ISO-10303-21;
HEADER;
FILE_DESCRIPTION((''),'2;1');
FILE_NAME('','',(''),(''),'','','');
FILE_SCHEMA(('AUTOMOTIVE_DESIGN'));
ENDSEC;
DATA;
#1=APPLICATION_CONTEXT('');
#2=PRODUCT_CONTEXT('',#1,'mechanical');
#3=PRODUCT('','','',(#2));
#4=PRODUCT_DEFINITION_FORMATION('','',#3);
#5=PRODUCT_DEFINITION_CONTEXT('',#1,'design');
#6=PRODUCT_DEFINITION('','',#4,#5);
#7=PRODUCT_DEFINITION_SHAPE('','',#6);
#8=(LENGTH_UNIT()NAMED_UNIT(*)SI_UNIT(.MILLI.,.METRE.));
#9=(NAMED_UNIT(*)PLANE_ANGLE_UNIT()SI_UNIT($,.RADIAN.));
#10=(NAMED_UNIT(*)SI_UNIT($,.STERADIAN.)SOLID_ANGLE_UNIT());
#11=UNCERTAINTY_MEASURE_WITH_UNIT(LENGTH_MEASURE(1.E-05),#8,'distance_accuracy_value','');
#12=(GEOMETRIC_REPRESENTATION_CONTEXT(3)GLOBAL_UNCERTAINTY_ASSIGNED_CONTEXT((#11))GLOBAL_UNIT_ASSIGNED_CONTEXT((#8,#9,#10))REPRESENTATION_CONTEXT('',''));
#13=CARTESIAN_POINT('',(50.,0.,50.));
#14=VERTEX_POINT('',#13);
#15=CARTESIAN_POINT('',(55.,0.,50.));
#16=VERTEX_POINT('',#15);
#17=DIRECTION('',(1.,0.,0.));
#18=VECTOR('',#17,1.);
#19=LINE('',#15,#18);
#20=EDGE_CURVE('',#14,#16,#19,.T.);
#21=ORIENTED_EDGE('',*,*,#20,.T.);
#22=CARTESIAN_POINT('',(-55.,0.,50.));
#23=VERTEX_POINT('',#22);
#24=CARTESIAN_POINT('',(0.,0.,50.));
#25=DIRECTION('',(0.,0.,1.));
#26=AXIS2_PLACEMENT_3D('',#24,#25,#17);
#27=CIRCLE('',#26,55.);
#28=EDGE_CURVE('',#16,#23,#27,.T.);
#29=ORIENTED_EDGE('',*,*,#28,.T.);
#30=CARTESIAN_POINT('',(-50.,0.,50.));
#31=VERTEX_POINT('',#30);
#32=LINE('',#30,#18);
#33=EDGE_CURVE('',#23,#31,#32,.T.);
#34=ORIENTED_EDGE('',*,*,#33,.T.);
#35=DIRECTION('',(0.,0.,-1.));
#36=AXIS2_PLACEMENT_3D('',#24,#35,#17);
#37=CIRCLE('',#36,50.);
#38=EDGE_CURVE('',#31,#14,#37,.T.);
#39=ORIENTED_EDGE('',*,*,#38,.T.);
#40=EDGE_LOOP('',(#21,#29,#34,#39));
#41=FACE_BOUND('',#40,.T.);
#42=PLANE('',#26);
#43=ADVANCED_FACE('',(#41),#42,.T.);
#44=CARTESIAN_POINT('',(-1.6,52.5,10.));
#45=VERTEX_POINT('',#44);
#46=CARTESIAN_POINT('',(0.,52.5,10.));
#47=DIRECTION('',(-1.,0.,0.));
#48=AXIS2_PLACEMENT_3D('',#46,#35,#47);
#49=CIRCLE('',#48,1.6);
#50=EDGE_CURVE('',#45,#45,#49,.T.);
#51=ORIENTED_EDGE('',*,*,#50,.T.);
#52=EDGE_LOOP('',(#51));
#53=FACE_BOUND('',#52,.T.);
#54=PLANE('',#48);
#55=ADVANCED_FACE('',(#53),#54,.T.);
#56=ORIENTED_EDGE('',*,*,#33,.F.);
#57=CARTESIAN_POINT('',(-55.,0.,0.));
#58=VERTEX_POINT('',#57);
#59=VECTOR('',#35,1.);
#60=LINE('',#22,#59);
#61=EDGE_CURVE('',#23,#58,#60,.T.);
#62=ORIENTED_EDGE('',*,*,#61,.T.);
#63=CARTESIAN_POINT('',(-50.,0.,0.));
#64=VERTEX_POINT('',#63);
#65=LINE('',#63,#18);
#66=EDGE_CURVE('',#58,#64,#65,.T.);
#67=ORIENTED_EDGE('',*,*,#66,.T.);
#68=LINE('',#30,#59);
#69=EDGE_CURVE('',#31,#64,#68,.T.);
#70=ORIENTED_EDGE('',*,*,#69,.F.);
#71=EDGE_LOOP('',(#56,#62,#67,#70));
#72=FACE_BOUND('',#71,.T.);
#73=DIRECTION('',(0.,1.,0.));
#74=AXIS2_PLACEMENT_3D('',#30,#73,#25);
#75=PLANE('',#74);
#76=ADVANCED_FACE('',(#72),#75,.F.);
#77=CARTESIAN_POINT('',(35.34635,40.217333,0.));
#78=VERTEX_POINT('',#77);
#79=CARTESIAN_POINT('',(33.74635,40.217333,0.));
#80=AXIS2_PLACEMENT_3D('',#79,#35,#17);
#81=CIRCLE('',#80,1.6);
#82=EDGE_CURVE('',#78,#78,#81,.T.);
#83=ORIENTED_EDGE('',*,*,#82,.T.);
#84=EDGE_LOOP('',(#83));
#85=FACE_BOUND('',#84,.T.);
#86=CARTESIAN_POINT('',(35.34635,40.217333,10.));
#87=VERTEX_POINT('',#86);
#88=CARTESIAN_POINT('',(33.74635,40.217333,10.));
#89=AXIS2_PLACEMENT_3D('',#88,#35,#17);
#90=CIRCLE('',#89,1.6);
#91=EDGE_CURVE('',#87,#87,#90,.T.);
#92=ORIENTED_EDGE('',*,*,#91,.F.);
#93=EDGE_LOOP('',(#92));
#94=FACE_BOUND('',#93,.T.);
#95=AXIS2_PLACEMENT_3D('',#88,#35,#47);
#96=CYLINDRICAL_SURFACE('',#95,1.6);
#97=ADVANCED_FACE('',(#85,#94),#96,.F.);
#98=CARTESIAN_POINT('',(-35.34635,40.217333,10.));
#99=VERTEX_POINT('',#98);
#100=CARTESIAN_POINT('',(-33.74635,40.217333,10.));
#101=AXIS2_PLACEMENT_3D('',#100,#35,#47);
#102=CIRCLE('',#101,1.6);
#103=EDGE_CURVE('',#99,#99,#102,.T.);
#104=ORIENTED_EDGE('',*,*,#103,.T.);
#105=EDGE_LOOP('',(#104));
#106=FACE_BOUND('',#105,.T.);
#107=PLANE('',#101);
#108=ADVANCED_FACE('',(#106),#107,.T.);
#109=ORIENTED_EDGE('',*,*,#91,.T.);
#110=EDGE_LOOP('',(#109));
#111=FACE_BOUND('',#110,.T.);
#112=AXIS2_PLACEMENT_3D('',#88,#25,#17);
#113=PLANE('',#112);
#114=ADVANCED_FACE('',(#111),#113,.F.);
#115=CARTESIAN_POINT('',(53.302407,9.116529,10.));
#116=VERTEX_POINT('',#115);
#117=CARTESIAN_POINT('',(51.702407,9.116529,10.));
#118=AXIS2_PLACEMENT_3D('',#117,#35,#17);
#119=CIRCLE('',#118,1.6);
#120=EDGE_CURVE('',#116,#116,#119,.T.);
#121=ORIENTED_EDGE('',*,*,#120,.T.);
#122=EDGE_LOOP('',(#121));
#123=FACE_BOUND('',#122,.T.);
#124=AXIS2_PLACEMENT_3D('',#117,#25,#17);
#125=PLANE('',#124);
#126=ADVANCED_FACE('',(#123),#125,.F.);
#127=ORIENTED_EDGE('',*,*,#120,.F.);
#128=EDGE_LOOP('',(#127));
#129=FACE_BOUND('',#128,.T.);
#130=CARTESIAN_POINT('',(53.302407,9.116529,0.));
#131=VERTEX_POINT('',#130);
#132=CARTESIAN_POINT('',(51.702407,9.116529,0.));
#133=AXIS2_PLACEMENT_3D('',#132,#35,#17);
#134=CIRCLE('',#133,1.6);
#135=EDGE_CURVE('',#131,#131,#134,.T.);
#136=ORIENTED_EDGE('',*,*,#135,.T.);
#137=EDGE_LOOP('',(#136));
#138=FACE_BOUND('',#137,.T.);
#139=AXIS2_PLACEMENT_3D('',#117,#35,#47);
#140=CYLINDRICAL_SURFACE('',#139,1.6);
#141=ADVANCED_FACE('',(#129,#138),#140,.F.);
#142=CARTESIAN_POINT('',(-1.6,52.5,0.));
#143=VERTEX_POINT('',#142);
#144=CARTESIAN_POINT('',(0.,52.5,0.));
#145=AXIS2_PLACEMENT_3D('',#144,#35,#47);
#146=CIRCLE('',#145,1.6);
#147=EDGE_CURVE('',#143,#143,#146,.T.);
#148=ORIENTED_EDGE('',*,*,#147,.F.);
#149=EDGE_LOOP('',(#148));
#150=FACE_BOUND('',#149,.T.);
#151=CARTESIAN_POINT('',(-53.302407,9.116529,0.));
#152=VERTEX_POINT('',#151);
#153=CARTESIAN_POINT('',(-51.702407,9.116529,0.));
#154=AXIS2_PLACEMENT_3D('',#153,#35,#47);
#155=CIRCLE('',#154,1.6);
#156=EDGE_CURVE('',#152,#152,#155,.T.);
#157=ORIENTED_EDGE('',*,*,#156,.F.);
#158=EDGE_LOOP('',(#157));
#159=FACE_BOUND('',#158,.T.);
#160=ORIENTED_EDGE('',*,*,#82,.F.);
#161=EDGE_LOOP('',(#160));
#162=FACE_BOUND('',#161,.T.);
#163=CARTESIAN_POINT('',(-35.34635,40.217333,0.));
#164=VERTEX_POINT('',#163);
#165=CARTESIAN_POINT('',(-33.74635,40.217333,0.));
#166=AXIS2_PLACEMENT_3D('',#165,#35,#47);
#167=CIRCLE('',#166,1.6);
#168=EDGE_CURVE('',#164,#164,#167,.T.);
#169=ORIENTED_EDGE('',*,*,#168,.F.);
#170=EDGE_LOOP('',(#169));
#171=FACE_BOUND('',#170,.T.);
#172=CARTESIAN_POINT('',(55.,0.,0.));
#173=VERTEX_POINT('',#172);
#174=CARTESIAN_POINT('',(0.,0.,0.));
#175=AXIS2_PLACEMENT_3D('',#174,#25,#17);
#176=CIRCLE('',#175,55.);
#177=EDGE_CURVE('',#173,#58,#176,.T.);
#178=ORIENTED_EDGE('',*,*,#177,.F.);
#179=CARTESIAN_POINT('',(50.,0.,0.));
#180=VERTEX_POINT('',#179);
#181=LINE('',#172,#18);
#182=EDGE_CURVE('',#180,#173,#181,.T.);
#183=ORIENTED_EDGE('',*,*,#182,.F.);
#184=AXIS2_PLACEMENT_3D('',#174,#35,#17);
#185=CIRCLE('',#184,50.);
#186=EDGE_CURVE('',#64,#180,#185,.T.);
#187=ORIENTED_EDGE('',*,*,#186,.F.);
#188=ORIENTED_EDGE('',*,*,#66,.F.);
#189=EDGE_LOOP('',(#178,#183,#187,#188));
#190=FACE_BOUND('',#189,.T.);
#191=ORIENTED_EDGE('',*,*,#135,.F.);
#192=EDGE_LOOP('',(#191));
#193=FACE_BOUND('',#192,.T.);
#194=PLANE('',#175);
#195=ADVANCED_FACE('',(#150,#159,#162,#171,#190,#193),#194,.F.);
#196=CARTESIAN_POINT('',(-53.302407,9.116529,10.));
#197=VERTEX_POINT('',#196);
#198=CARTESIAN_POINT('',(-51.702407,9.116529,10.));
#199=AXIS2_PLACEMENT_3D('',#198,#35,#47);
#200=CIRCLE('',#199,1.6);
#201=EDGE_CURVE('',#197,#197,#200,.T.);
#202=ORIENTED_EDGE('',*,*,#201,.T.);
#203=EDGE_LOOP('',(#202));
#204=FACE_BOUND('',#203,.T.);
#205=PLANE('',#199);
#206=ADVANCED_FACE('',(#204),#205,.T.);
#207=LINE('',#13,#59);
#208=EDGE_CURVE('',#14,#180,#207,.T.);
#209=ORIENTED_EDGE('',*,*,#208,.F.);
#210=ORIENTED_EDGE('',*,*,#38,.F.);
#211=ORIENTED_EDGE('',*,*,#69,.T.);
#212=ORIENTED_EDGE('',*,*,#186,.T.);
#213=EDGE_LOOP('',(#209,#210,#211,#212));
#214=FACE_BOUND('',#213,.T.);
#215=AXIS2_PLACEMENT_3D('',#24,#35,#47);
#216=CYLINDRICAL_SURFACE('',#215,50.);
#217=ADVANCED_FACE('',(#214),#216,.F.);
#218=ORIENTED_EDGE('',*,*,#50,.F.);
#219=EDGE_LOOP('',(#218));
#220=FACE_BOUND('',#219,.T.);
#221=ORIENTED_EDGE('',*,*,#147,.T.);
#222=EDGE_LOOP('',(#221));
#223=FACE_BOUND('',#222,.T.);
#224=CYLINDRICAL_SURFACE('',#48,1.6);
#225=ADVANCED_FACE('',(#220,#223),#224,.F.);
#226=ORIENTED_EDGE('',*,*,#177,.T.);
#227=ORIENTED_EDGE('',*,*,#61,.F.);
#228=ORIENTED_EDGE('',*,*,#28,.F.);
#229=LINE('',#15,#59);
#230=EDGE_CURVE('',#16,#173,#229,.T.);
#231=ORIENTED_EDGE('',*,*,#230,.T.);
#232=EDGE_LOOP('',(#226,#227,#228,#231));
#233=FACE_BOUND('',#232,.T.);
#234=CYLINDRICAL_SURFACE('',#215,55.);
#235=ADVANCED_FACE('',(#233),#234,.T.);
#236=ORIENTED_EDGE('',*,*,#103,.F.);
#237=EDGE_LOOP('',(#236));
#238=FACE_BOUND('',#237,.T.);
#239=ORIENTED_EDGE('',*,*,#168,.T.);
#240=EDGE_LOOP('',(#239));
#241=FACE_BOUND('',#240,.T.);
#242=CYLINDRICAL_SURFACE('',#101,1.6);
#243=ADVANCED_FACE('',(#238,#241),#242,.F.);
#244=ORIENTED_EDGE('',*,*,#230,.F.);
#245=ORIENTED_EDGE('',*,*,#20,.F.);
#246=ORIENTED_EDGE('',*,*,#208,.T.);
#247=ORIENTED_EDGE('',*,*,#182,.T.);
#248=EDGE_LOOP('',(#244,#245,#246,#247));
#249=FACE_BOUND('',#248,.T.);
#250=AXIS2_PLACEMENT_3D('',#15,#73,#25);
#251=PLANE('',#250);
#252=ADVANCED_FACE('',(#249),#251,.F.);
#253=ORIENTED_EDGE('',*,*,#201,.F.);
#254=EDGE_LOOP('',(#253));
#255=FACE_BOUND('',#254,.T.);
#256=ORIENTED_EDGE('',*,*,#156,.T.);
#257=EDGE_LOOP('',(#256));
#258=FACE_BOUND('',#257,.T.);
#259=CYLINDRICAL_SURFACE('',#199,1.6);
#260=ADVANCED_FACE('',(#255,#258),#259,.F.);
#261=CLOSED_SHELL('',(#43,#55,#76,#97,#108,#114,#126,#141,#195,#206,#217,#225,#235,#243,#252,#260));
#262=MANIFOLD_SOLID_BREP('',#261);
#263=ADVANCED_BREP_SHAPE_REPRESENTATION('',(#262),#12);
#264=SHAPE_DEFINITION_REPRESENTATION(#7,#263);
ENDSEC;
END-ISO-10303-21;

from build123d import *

# Parameters (mm, degrees)
BOSS_EXTRUDE1_DEPTH = 50
SKETCH2_R           = 1.6
CUT_EXTRUDE1_DEPTH  = 10


with BuildPart() as part:
    # Sketch1 → Boss-Extrude1 (new body)
    with BuildSketch(Plane.XY):
        with BuildLine():
            Line((55, 0), (50, 0))
            ThreePointArc((50, 0), (0, 50), (-50, 0))
            Line((-50, 0), (-55, 0))
            ThreePointArc((-55, 0), (0, 55), (55, 0))
        make_face()
    extrude(amount=BOSS_EXTRUDE1_DEPTH)

    # Sketch2 → Cut-Extrude1 (cut)
    with BuildSketch(Plane(origin=(0, 0, 0), x_dir=(-1, 0, 0), z_dir=(0, 0, -1))):
        with Locations((0, 52.5)):
            Circle(SKETCH2_R)
        with Locations((33.746349509, 40.217333264)):
            Circle(SKETCH2_R)
        with Locations((51.702407033, 9.116529328)):
            Circle(SKETCH2_R)
        with Locations((-51.702407033, 9.116529328)):
            Circle(SKETCH2_R)
        with Locations((-33.746349509, 40.217333264)):
            Circle(SKETCH2_R)
    extrude(amount=-CUT_EXTRUDE1_DEPTH, mode=Mode.SUBTRACT)


solid = part.part
